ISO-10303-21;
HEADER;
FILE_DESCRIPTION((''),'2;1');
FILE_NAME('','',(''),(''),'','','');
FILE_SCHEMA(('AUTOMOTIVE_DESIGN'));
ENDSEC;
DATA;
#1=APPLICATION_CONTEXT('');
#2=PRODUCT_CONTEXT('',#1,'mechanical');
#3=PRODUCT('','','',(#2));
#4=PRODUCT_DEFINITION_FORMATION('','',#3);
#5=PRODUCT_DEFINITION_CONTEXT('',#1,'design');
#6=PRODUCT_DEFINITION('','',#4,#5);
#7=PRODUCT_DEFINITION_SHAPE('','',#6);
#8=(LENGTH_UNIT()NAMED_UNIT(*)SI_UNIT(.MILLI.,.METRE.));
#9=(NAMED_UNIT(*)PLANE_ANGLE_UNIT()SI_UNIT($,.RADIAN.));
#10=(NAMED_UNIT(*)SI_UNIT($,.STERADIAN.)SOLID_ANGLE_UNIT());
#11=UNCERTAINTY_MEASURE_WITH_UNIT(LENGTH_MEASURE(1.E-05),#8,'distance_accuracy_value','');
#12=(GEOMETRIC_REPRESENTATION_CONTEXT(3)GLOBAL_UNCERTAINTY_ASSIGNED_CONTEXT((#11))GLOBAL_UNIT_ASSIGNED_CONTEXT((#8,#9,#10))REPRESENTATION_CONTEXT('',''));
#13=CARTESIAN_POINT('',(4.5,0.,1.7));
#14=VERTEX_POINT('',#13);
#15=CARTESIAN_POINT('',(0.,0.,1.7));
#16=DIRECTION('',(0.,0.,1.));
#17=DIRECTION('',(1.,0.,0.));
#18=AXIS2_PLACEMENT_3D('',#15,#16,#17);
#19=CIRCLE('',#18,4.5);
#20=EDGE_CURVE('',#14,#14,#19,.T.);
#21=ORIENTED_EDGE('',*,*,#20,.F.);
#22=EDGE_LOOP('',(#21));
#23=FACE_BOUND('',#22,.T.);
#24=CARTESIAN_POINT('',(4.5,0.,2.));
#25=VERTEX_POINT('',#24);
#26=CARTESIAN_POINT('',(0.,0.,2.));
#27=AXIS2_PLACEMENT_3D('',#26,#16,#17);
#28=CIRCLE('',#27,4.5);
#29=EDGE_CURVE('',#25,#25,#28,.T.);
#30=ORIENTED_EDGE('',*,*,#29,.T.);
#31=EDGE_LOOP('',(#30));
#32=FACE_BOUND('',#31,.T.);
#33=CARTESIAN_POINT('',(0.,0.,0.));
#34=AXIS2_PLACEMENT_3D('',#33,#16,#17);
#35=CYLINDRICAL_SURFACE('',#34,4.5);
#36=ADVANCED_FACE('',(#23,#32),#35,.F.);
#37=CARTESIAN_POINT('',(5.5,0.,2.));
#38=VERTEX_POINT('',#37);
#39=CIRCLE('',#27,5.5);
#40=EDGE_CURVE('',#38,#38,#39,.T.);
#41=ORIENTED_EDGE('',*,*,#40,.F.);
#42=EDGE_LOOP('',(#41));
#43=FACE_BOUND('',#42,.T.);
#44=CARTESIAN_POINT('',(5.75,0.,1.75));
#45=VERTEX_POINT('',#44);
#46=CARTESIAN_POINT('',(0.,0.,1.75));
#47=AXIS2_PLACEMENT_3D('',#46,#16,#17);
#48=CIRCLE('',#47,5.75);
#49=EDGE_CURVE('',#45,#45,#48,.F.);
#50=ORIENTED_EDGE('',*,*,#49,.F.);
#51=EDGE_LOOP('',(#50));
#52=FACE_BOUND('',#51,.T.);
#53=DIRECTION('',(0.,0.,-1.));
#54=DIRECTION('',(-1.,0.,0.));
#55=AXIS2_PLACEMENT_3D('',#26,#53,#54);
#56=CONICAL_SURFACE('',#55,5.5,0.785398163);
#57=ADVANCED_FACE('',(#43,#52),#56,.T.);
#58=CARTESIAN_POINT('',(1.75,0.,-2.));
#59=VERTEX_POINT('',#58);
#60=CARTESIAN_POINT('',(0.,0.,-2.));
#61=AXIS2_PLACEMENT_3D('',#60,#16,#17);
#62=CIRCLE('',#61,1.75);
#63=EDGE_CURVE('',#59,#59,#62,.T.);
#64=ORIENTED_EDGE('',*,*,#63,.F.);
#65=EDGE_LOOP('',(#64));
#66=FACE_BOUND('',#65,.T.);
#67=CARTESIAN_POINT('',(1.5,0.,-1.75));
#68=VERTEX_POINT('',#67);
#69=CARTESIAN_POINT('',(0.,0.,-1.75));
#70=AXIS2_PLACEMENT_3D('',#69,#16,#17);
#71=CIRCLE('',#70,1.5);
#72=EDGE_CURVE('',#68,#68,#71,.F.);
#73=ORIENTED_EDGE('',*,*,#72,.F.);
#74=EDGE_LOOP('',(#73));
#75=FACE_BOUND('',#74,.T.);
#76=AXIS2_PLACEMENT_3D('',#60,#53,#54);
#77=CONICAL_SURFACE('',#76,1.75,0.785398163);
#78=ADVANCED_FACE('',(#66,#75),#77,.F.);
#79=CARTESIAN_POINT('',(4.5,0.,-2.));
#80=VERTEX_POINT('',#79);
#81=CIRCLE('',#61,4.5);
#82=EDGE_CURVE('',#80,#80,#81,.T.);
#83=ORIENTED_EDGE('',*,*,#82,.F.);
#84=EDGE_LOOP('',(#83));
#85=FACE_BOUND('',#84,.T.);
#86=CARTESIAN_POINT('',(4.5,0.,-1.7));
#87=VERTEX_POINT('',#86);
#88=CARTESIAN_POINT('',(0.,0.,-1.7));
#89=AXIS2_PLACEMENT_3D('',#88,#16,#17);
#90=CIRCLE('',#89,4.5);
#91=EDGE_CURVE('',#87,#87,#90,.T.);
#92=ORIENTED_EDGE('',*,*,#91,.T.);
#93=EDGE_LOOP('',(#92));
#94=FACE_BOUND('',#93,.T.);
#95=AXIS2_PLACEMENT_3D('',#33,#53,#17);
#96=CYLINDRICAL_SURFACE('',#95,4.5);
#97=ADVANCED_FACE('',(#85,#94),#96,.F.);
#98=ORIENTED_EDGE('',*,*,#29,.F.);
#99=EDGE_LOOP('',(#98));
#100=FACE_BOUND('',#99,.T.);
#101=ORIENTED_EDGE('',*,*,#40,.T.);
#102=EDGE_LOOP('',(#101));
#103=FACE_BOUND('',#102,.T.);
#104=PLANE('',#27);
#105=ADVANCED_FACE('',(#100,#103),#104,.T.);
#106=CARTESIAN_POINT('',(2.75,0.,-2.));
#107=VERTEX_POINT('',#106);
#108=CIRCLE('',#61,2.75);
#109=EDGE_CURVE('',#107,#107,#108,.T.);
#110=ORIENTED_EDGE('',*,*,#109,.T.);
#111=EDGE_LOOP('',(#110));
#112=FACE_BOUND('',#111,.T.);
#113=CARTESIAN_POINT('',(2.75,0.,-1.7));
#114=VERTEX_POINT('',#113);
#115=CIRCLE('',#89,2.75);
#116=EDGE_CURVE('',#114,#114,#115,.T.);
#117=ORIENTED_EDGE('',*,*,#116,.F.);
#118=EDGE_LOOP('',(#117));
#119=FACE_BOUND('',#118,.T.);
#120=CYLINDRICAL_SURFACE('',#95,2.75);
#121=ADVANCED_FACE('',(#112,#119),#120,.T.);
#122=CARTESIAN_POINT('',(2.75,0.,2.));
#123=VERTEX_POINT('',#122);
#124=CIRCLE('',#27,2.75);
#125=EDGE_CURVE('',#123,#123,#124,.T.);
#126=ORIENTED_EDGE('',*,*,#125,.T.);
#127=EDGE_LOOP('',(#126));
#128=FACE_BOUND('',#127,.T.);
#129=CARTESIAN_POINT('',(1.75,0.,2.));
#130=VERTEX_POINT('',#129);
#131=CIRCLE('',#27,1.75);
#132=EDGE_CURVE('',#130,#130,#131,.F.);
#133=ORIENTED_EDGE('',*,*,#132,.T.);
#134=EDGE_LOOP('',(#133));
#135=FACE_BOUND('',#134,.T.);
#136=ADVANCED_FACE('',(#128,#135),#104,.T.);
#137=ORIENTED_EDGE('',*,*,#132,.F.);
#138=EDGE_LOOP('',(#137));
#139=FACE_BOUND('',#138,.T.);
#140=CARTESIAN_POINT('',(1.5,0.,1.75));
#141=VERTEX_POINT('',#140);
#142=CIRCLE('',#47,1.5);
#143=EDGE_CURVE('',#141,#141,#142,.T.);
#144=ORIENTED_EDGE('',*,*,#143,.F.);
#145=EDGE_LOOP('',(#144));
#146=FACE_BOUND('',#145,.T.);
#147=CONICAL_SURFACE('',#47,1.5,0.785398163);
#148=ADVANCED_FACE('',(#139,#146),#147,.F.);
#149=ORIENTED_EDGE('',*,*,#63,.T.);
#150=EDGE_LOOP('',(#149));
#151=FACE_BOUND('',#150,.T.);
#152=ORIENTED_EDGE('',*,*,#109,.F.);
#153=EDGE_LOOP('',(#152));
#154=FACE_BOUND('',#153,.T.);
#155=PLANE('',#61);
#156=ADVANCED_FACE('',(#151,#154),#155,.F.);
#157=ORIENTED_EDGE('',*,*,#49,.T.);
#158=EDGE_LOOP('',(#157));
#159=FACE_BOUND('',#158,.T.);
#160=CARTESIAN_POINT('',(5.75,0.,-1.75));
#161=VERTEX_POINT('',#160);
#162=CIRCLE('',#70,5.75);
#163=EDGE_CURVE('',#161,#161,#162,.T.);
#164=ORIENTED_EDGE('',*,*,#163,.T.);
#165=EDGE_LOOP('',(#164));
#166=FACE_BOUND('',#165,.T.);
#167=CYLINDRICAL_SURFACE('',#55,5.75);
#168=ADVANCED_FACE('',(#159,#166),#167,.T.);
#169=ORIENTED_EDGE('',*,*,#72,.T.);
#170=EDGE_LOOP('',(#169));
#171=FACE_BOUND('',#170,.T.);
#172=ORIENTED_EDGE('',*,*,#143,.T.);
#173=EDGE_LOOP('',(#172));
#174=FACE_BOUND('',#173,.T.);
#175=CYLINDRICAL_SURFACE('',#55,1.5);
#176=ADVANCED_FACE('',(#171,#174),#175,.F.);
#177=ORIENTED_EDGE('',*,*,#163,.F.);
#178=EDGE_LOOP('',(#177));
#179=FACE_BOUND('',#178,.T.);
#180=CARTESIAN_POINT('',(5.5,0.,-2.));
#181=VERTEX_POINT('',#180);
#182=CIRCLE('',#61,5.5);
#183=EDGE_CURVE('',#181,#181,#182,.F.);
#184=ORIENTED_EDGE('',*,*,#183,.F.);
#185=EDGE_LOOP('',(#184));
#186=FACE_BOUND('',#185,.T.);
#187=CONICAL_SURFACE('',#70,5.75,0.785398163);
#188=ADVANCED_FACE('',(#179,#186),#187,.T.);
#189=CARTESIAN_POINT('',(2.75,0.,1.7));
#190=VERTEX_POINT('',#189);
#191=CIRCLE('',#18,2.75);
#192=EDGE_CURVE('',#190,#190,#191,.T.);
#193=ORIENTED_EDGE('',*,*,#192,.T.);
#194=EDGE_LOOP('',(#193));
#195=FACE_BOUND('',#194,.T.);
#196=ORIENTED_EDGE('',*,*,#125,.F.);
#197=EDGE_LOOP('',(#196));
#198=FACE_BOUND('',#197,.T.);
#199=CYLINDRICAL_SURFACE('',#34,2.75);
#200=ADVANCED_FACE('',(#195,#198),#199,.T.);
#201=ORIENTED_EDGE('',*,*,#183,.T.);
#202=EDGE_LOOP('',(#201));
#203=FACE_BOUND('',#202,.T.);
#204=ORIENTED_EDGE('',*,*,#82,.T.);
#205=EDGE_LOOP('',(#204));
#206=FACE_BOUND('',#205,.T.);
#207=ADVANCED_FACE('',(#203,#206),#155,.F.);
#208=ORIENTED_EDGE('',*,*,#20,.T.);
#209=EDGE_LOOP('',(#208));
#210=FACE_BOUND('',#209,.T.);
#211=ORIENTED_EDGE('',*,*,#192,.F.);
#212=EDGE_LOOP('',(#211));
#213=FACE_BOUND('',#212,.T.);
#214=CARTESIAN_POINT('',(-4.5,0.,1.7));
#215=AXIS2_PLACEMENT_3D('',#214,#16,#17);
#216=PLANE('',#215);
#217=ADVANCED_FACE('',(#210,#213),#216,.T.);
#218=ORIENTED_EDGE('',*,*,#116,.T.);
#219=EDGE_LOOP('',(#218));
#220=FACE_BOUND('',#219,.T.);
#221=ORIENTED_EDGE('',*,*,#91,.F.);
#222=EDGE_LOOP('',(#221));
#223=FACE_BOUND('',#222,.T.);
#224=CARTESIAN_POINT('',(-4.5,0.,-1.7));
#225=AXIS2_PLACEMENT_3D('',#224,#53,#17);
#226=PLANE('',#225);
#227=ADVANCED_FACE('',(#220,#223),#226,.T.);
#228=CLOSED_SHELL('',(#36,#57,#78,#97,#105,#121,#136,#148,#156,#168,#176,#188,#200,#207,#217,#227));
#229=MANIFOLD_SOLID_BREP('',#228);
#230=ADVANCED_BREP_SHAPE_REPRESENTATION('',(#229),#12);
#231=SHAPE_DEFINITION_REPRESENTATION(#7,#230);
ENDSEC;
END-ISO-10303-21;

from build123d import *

# Parameters (mm, degrees)
SKETCH1_R           = 5.75
SKETCH1_R_2         = 1.5
BOSS_EXTRUDE1_DEPTH = 2
CHAMFER1_SIZE       = 0.25
SKETCH2_W           = 1.75
SKETCH2_H           = 0.3


with BuildPart() as part:
    # Sketch1 → Boss-Extrude1 (new body, symmetric)
    with BuildSketch(Plane.XY):
        Circle(SKETCH1_R)
        Circle(SKETCH1_R_2, mode=Mode.SUBTRACT)
    extrude(amount=BOSS_EXTRUDE1_DEPTH, both=True)

    # Chamfer1
    chamfer1_edges = [part.edges().sort_by_distance(p)[0] for p in [
        (-5.75, 0, -2),
        (-5.75, 0, 2),
        (-1.5, 0, -2),
        (-1.5, 0, 2),
    ]]
    chamfer(chamfer1_edges, length=CHAMFER1_SIZE)

    # Sketch2 → Cut-Revolve1 (revolve, cut)
    with BuildSketch(Plane(origin=(0, 0, 0), x_dir=(1, 0, 0), z_dir=(0, 1, 0))):
        with Locations((-3.625, -1.85)):
            Rectangle(SKETCH2_W, SKETCH2_H)
    cut_revolve1 = revolve(axis=Axis((0, 0, 0), (0, 0, -1)), mode=Mode.SUBTRACT)

    # Mirror1: Cut-Revolve1 across plane
    add(cut_revolve1.mirror(Plane.XY), mode=Mode.SUBTRACT)


solid = part.part
